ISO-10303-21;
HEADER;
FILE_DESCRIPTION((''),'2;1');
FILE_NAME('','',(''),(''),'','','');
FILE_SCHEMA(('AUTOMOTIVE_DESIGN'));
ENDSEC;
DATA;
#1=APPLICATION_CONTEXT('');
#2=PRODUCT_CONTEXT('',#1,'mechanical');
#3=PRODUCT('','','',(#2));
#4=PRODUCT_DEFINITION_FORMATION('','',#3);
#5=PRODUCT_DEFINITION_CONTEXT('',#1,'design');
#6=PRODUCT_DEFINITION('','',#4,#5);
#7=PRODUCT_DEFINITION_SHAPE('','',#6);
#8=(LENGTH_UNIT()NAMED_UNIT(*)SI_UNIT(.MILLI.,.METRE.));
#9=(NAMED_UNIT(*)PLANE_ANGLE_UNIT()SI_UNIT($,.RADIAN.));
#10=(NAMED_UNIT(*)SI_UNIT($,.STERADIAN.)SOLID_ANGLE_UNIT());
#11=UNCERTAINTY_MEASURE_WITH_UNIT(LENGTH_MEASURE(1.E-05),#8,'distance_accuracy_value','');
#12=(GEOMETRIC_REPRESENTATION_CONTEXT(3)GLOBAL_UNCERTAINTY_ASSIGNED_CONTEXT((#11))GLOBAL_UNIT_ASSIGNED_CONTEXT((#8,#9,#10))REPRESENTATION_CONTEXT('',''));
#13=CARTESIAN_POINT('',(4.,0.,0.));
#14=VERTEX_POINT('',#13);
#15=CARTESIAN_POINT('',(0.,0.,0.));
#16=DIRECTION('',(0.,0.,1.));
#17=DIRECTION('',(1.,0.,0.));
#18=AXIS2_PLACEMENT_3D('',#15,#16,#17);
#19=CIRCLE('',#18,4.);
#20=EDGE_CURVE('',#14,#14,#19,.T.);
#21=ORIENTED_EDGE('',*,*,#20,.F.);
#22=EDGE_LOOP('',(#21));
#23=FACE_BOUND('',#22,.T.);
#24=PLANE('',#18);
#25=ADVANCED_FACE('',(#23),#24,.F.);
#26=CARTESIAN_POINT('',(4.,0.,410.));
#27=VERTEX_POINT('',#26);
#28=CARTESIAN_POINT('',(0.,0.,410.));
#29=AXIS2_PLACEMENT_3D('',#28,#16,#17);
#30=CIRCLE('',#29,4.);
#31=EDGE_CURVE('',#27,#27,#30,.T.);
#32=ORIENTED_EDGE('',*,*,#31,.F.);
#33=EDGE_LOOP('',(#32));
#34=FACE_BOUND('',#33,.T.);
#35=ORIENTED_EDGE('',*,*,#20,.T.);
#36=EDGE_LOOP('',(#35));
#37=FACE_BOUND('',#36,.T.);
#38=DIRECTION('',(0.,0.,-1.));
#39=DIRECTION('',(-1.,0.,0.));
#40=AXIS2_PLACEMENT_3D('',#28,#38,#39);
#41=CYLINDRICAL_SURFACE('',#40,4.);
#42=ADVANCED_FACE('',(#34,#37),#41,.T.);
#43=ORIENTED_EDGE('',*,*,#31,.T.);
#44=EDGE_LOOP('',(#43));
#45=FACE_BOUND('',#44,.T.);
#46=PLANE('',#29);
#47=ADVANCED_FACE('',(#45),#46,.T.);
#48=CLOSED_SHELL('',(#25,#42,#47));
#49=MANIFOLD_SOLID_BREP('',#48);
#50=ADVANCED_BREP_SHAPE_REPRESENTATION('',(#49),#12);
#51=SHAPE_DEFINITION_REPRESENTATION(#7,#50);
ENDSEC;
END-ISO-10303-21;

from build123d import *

# Parameters (mm, degrees)
SKETCH_1_R      = 4
EXTRUDE_1_DEPTH = 410


with BuildPart() as part:
    # 草图1 → 凸台-拉伸1 (new body)
    with BuildSketch(Plane.XY):
        Circle(SKETCH_1_R)
    extrude(amount=EXTRUDE_1_DEPTH)


solid = part.part
